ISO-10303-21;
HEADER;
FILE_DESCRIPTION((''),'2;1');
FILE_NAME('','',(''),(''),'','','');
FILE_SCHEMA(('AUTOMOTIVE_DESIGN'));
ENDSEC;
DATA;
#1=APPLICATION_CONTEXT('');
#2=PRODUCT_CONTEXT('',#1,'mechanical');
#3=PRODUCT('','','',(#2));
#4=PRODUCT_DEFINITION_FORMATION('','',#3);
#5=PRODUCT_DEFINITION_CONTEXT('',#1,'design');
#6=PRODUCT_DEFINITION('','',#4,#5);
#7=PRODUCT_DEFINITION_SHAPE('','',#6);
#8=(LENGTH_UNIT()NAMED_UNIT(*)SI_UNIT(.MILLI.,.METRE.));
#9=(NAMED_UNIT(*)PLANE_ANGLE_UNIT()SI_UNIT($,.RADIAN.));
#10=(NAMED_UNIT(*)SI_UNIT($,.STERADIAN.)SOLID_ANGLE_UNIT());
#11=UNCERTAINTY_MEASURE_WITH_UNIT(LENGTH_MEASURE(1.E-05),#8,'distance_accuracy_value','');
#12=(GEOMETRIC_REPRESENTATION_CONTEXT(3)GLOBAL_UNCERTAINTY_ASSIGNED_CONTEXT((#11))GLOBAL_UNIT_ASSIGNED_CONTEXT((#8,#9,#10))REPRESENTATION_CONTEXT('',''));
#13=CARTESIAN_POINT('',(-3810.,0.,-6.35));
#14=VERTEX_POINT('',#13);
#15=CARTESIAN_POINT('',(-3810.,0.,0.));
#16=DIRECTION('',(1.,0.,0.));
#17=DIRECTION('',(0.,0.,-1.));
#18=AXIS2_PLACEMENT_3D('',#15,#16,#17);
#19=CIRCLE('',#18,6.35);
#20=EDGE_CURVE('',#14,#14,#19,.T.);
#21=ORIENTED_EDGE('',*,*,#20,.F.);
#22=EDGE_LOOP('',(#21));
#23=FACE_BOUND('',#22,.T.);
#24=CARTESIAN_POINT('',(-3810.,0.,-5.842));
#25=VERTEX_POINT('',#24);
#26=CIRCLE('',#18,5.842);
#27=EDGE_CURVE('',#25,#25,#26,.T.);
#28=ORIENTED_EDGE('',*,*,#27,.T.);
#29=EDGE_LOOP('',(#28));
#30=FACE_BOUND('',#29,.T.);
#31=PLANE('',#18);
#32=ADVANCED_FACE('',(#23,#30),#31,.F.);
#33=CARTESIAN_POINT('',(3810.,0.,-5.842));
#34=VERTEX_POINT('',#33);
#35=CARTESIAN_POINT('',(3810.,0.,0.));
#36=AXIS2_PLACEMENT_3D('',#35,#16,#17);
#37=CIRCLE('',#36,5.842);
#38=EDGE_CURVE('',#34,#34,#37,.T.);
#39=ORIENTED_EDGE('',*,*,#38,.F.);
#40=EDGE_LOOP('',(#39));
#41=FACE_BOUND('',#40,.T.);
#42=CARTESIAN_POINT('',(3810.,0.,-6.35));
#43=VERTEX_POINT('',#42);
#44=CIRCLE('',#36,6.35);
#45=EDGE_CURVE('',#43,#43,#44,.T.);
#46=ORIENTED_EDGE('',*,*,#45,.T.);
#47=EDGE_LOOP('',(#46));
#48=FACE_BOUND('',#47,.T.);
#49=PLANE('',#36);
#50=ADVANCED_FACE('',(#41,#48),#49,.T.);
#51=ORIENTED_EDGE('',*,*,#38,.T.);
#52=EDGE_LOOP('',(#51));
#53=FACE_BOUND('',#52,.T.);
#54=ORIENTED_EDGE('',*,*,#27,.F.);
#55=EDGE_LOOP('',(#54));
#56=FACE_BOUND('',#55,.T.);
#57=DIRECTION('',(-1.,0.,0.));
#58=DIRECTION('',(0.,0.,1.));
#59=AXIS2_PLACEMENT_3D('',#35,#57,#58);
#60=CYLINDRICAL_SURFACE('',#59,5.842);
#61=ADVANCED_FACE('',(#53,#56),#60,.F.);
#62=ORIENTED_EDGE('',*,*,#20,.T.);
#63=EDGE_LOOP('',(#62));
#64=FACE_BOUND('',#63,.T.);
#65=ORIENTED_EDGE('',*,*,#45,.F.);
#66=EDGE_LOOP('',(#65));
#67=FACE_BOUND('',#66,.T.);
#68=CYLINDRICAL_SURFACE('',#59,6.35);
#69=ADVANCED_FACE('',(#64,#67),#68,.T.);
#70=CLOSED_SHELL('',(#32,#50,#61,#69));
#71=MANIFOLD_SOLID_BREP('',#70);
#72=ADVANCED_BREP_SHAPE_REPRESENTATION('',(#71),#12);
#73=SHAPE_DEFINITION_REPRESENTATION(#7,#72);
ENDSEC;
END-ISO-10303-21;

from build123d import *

# Parameters (mm, degrees)
SKETCH4_R           = 6.35
SKETCH4_R_2         = 5.842
BOSS_EXTRUDE1_DEPTH = 3810


with BuildPart() as part:
    # Sketch4 → Boss-Extrude1 (new, symmetric)
    with BuildSketch(Plane(origin=(0, 0, 0), x_dir=(0, 0, -1), z_dir=(1, 0, 0))):
        Circle(SKETCH4_R)
        Circle(SKETCH4_R_2, mode=Mode.SUBTRACT)
    extrude(amount=BOSS_EXTRUDE1_DEPTH, both=True)


solid = part.part
